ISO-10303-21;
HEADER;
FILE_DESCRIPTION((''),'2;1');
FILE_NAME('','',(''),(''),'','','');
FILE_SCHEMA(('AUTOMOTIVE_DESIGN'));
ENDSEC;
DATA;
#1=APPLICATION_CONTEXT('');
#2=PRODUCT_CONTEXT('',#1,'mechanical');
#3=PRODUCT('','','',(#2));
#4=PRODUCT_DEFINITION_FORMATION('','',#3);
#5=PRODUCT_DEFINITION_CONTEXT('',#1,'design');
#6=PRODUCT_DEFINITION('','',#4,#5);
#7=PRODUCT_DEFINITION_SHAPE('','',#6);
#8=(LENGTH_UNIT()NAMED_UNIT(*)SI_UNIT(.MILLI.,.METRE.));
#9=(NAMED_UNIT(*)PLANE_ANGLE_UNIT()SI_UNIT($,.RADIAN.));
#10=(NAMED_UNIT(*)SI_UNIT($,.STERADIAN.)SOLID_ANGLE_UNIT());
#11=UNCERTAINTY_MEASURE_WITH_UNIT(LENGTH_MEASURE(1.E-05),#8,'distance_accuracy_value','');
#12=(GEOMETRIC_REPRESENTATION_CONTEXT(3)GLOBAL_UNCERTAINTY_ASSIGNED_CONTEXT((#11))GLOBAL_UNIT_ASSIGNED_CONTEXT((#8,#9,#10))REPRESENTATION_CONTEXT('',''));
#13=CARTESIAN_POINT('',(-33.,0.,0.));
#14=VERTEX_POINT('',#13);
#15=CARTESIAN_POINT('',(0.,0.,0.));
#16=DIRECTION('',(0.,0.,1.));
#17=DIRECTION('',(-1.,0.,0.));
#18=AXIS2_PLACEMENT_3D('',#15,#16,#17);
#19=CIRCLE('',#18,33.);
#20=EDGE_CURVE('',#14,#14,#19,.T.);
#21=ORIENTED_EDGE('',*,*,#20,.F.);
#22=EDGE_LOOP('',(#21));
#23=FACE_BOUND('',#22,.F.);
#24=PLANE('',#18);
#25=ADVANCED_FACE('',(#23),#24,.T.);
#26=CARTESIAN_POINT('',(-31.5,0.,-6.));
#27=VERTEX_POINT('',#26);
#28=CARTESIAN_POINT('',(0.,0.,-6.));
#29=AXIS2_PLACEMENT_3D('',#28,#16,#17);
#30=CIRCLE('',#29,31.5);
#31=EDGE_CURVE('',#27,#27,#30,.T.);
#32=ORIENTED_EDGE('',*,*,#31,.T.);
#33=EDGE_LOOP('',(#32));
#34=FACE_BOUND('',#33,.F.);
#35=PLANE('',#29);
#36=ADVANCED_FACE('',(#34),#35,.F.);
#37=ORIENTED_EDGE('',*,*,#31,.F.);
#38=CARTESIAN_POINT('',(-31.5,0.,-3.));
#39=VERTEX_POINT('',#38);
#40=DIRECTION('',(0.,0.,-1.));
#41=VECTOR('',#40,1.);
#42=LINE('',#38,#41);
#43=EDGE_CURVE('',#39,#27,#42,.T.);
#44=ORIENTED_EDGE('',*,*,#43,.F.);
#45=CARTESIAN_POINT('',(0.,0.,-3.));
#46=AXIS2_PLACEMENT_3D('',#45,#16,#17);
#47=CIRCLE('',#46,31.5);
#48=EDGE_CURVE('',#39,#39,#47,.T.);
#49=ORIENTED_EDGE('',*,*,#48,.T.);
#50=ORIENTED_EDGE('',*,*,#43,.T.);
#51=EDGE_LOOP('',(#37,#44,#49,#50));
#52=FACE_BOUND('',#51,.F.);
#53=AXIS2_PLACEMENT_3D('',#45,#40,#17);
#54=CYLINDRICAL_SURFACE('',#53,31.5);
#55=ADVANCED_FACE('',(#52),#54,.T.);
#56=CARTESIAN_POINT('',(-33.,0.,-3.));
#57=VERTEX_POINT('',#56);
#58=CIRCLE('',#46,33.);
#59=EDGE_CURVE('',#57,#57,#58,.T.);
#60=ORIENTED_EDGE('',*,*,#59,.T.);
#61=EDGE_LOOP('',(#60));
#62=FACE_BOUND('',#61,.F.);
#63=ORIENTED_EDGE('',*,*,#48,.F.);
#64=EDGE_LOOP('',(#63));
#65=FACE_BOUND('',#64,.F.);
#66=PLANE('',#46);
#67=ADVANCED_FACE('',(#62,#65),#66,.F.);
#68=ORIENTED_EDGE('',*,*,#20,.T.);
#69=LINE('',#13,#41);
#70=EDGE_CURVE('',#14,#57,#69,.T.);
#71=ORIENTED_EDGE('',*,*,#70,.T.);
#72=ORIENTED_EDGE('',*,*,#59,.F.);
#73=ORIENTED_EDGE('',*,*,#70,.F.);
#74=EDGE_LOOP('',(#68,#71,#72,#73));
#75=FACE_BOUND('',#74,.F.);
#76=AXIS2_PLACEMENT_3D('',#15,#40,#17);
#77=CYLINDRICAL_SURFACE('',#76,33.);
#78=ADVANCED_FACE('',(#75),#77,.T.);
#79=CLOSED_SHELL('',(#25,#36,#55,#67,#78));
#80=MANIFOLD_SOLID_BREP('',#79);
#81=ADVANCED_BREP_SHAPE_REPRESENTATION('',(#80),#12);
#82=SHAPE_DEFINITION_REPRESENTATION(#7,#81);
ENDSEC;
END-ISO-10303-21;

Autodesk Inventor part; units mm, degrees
ref_plane "YZ Plane" through (0, 0, 0) normal (1, 0, 0) x (0, 1, 0)
ref_plane "XZ Plane" through (0, 0, 0) normal (0, 1, 0) x (-1, 0, 0)
ref_plane "XY Plane" through (0, 0, 0) normal (0, 0, 1) x (1, 0, 0)
sketch "Skizze1" plane through (0, 0, 0) normal (0, 1, 0) x (-1, 0, 0)
  line L0 (0, 0) -> (33, 0)
  line L1 (33, 0) -> (33, -3)
  line L2 (33, -3) -> (31.5, -3)
  line L3 (31.5, -3) -> (31.5, -6)
  line L4 (31.5, -6) -> (0, -6)
  line L5 (0, -6) -> (0, 0)
  dimension "d0" = 3
  dimension "d1" = 3
  dimension "d2" = 63
  dimension "d3" = 66
revolve "Umdrehung1" add sketch "Skizze1" angle 360 about axis through (0, 0, -6) along (0, 0, 1)
equation "\"d1\" = d0"
properties part number "cylinder_cover_below"
